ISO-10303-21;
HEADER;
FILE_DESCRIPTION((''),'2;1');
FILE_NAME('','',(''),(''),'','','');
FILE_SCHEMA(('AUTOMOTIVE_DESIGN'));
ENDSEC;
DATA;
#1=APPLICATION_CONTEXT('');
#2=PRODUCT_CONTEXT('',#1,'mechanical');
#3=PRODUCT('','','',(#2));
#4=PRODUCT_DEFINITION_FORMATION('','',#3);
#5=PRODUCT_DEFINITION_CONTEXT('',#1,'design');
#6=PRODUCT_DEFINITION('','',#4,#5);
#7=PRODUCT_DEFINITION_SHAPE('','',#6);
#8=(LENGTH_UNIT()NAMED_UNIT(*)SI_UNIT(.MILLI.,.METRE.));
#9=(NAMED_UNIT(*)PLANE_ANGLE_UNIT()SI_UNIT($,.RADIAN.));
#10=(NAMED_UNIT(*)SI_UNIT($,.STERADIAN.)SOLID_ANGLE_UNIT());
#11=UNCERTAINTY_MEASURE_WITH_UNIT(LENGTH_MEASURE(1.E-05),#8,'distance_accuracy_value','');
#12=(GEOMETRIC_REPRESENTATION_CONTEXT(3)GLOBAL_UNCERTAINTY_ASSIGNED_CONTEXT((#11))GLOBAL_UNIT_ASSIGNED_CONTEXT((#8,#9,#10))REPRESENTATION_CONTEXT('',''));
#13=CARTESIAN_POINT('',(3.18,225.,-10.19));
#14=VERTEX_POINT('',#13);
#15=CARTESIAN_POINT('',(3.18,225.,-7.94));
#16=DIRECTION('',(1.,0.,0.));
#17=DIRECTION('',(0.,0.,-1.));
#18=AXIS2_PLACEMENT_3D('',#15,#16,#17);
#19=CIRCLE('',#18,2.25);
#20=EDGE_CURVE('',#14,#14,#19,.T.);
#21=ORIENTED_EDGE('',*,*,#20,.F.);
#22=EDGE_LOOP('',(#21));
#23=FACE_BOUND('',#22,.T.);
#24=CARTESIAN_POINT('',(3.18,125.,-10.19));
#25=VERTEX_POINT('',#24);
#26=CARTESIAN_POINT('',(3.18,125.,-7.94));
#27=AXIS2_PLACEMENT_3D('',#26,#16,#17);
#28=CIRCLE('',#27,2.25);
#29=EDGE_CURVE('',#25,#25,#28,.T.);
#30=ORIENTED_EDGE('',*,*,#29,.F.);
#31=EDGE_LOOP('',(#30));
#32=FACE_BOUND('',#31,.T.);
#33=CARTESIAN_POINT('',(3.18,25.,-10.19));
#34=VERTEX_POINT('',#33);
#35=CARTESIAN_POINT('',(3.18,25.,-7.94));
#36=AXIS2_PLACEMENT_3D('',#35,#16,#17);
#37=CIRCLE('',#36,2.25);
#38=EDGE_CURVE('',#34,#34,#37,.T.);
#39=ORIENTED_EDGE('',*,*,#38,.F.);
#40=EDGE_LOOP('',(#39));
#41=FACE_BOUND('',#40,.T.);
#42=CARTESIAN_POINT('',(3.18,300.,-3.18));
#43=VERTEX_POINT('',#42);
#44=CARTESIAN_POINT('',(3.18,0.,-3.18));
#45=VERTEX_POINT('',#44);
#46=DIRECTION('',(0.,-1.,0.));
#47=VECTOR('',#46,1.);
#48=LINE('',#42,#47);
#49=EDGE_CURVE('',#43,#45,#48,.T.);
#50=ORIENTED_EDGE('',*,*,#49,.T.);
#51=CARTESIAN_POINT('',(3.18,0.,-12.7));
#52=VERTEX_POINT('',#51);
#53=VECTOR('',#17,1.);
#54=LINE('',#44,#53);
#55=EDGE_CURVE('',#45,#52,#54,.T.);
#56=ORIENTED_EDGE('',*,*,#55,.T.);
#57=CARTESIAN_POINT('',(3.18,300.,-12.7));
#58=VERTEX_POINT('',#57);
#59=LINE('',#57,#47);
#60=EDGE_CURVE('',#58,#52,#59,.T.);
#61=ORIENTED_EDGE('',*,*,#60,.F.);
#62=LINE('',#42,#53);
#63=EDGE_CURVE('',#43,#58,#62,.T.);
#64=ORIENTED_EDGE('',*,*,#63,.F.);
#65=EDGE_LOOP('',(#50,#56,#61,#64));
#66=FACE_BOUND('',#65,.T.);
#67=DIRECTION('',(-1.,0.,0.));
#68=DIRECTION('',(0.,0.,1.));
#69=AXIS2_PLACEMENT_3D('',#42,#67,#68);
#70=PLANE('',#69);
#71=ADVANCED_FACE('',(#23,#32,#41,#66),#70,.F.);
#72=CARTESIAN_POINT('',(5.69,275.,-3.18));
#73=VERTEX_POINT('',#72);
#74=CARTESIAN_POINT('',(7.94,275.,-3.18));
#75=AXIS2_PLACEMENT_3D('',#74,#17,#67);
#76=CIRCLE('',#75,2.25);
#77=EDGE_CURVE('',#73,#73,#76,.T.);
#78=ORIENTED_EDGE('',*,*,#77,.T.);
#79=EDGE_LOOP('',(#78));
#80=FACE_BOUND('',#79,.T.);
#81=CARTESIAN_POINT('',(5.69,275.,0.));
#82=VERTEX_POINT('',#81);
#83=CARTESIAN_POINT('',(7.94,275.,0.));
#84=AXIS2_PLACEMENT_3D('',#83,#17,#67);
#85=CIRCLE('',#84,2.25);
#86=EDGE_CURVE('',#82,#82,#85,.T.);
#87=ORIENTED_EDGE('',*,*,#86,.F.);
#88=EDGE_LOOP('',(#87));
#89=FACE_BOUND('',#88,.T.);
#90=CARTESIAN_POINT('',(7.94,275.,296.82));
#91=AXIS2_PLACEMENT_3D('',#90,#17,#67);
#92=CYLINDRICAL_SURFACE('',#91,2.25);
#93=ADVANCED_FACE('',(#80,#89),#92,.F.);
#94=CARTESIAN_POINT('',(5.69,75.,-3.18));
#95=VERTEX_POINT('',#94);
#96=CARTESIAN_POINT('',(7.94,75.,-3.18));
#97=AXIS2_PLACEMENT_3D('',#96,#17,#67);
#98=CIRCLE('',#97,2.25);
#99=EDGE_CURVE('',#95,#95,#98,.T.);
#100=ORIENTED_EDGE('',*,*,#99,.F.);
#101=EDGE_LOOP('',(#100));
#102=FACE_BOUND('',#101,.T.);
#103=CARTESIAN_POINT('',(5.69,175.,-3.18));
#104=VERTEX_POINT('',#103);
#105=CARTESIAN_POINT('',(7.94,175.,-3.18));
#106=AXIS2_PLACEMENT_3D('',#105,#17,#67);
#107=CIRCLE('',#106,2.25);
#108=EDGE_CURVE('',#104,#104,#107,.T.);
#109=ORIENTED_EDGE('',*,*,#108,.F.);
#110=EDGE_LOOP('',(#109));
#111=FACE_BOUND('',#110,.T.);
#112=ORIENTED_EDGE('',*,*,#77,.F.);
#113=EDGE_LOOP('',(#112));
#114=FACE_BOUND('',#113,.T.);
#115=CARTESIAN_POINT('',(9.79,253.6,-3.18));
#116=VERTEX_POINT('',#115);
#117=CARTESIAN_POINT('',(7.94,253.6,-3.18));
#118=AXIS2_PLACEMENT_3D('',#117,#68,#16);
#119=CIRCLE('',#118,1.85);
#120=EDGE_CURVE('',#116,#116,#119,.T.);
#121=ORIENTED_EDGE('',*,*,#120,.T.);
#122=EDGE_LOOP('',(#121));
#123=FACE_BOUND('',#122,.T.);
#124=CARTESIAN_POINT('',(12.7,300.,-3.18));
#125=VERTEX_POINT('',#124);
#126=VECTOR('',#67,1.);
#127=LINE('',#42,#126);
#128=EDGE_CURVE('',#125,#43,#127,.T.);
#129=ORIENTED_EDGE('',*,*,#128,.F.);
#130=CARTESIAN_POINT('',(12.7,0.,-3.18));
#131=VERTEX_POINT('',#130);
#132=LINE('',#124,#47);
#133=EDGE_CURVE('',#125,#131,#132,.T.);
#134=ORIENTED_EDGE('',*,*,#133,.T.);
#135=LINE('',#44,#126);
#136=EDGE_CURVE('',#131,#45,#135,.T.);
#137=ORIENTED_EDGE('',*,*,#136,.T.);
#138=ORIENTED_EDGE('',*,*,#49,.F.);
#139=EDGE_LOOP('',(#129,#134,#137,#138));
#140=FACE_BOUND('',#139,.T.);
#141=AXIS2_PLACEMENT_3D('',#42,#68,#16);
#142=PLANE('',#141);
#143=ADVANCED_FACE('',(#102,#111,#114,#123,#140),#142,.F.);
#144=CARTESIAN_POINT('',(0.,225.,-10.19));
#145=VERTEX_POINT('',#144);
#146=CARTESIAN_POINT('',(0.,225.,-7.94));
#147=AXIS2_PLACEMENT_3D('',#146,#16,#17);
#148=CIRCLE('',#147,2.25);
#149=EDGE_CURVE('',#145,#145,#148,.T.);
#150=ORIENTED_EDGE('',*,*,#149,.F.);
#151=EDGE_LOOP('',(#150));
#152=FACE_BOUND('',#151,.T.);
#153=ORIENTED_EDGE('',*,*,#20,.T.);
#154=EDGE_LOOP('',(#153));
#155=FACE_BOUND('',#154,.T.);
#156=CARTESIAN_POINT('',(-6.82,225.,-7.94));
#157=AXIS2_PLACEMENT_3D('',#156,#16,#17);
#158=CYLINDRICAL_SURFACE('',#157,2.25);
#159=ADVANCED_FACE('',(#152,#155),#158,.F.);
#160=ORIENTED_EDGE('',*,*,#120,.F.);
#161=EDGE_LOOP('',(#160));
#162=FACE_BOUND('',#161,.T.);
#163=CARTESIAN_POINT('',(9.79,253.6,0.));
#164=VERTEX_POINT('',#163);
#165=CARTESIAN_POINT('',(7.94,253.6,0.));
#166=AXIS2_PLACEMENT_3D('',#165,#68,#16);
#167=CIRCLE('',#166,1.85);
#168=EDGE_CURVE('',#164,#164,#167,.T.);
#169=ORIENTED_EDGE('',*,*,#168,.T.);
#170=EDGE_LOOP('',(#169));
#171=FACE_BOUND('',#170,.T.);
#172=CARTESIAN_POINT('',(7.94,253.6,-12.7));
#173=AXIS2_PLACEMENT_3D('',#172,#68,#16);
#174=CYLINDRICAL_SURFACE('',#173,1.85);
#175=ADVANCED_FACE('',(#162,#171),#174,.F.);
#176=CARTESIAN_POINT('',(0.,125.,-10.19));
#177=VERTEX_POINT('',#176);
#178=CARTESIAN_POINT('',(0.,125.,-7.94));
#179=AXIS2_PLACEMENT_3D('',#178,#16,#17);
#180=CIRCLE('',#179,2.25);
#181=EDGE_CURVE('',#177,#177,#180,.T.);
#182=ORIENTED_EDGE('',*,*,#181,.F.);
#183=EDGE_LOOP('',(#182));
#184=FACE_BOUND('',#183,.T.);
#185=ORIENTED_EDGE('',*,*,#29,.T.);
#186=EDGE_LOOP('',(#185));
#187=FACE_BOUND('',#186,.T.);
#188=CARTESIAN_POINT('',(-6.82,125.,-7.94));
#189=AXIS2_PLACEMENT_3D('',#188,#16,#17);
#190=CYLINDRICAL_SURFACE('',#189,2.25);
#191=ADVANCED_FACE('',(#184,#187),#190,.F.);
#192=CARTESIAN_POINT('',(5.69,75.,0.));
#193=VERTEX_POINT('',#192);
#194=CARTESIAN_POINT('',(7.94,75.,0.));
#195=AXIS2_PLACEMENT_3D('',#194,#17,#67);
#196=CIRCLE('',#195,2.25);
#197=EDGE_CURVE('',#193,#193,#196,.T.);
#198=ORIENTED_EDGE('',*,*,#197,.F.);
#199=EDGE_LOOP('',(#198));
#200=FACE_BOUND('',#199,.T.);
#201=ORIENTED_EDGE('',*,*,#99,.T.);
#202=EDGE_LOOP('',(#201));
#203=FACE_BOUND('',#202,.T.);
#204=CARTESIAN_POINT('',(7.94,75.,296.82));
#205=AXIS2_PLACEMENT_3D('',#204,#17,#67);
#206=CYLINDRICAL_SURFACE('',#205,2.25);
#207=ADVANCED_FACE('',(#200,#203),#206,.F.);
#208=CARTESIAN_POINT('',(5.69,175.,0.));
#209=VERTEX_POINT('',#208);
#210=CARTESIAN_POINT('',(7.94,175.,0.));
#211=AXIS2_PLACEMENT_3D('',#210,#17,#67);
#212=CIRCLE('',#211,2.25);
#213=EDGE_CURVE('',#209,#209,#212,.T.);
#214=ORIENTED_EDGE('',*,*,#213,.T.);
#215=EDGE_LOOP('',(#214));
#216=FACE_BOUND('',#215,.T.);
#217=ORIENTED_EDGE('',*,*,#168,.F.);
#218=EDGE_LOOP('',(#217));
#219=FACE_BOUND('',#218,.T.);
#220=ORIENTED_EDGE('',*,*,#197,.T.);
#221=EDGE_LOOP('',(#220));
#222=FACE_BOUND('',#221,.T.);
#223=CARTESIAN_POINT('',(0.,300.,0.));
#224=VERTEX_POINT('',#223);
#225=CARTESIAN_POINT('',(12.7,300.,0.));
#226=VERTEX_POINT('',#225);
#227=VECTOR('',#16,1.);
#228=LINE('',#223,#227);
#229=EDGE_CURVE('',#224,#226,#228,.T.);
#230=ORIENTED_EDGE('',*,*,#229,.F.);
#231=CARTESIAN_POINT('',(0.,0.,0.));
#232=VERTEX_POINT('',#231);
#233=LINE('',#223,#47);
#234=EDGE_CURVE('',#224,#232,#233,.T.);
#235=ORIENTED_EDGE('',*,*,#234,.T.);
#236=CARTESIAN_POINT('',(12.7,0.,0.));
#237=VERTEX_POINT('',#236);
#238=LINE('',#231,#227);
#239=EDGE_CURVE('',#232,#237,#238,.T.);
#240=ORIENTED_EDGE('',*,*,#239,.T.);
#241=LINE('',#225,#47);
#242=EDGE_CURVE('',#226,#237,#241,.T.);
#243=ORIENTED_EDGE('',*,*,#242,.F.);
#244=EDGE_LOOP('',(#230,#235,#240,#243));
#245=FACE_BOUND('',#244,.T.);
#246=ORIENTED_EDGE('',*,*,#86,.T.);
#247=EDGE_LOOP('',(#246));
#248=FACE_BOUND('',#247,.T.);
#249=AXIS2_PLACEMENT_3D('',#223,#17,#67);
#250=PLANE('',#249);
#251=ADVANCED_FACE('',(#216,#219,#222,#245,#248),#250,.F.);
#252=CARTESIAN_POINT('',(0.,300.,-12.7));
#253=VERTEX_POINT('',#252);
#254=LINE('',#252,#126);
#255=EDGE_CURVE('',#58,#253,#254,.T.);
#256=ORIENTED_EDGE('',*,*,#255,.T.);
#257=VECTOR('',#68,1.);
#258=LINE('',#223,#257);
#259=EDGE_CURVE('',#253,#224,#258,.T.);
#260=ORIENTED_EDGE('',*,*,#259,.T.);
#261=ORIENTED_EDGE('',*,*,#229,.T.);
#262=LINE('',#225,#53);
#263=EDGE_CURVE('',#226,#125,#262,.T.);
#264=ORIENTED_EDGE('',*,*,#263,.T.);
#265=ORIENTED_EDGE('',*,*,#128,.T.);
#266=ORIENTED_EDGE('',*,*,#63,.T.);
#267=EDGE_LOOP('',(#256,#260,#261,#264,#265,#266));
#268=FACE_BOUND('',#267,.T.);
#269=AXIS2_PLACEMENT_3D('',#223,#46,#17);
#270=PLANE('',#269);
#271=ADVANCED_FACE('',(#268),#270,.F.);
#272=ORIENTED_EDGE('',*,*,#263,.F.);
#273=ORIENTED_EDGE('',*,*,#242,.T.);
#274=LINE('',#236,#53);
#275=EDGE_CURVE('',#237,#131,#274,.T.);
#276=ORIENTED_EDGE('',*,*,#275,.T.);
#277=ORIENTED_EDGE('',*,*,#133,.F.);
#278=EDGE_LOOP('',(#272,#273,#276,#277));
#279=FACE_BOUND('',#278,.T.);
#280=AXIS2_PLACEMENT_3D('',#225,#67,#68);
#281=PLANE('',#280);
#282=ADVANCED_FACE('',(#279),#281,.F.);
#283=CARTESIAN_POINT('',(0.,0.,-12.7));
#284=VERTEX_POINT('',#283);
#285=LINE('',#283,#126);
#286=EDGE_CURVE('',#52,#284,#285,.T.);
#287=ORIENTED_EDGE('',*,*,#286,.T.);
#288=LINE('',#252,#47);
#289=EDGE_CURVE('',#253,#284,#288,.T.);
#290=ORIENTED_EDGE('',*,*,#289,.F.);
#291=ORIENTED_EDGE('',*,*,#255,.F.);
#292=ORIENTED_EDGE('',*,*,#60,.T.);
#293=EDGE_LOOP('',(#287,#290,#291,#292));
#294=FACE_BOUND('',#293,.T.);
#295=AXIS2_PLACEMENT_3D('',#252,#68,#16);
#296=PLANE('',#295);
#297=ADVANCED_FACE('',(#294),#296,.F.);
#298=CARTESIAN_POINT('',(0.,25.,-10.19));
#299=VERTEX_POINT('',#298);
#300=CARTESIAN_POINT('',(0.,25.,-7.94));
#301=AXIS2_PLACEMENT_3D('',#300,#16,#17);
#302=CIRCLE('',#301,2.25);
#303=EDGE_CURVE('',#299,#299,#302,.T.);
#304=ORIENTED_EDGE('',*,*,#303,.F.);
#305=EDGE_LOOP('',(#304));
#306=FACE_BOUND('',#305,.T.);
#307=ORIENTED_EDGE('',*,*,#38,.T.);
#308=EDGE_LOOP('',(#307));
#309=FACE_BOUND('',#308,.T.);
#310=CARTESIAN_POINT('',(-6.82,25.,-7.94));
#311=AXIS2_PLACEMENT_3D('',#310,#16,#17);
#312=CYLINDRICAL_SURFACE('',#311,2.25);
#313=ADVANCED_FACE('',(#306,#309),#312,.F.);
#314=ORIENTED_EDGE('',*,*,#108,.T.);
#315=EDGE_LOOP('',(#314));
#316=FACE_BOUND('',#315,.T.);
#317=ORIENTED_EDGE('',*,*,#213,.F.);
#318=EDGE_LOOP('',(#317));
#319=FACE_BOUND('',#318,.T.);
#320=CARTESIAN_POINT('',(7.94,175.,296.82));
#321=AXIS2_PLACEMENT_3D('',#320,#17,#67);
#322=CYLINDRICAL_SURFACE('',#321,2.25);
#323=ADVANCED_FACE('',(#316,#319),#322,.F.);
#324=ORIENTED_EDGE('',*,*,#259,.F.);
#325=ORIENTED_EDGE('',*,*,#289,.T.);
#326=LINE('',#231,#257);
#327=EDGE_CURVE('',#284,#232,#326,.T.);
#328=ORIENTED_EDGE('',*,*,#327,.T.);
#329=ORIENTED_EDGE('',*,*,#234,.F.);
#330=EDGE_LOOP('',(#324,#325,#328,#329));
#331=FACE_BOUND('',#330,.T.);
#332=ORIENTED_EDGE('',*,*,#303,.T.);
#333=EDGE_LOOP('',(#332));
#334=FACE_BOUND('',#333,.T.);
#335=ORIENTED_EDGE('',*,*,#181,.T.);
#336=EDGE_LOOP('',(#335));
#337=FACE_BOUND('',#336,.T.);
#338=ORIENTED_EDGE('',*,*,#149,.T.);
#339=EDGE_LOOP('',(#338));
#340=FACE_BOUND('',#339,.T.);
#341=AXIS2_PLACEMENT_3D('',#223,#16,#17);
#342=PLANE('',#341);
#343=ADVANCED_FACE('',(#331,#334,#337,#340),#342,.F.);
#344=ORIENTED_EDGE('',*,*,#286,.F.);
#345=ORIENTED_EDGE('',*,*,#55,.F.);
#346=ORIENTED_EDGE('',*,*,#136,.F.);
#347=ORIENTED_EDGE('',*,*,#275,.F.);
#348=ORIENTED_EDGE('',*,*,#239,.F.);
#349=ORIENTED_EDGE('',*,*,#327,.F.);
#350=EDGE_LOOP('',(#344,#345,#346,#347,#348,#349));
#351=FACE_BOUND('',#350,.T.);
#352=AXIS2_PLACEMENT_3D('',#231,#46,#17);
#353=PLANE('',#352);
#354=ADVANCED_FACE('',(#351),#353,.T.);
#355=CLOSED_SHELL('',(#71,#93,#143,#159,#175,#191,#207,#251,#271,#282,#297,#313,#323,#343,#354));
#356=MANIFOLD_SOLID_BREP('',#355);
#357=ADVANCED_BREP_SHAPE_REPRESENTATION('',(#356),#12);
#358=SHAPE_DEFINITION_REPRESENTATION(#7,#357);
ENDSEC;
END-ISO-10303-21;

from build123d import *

# Parameters (mm, degrees)
BOSS_EXTRUDE1_DEPTH = 300
SKETCH3_R           = 2.25
CUT_EXTRUDE1_DEPTH  = 300
SKETCH6_R           = 2.25
CUT_EXTRUDE2_DEPTH  = 10
SKETCH7_R           = 1.85
CUT_EXTRUDE3_DEPTH  = 301.537152445


with BuildPart() as part:
    # Sketch1 → Boss-Extrude1 (new body)
    with BuildSketch(Plane(origin=(0, 0, 0), x_dir=(1, 0, 0), z_dir=(0, 1, 0))):
        Polygon((0, 0), (12.7, 0), (12.7, 3.18), (3.18, 3.18), (3.18, 12.7), (0, 12.7), align=None)
    extrude(amount=BOSS_EXTRUDE1_DEPTH)

    # Sketch3 → Cut-Extrude1 (cut)
    with BuildSketch(Plane(origin=(0, 0, -3.18), x_dir=(-1, 0, 0), z_dir=(0, 0, -1))):
        with Locations((-7.94, 275)):
            Circle(SKETCH3_R)
        with Locations((-7.94, 175)):
            Circle(SKETCH3_R)
        with Locations((-7.94, 75)):
            Circle(SKETCH3_R)
    extrude(amount=-CUT_EXTRUDE1_DEPTH, mode=Mode.SUBTRACT)

    # Sketch6 → Cut-Extrude2 (cut)
    with BuildSketch(Plane(origin=(3.18, 0, 0), x_dir=(0, 0, -1), z_dir=(1, 0, 0))):
        with Locations((7.94, 225)):
            Circle(SKETCH6_R)
        with Locations((7.94, 125)):
            Circle(SKETCH6_R)
        with Locations((7.94, 25)):
            Circle(SKETCH6_R)
    extrude(amount=-CUT_EXTRUDE2_DEPTH, mode=Mode.SUBTRACT)

    # Sketch7 → Cut-Extrude3 (cut, through all)
    with BuildSketch(Plane.XY):
        with Locations((7.94, 253.6)):
            Circle(SKETCH7_R)
    extrude(amount=-CUT_EXTRUDE3_DEPTH, mode=Mode.SUBTRACT)


solid = part.part
